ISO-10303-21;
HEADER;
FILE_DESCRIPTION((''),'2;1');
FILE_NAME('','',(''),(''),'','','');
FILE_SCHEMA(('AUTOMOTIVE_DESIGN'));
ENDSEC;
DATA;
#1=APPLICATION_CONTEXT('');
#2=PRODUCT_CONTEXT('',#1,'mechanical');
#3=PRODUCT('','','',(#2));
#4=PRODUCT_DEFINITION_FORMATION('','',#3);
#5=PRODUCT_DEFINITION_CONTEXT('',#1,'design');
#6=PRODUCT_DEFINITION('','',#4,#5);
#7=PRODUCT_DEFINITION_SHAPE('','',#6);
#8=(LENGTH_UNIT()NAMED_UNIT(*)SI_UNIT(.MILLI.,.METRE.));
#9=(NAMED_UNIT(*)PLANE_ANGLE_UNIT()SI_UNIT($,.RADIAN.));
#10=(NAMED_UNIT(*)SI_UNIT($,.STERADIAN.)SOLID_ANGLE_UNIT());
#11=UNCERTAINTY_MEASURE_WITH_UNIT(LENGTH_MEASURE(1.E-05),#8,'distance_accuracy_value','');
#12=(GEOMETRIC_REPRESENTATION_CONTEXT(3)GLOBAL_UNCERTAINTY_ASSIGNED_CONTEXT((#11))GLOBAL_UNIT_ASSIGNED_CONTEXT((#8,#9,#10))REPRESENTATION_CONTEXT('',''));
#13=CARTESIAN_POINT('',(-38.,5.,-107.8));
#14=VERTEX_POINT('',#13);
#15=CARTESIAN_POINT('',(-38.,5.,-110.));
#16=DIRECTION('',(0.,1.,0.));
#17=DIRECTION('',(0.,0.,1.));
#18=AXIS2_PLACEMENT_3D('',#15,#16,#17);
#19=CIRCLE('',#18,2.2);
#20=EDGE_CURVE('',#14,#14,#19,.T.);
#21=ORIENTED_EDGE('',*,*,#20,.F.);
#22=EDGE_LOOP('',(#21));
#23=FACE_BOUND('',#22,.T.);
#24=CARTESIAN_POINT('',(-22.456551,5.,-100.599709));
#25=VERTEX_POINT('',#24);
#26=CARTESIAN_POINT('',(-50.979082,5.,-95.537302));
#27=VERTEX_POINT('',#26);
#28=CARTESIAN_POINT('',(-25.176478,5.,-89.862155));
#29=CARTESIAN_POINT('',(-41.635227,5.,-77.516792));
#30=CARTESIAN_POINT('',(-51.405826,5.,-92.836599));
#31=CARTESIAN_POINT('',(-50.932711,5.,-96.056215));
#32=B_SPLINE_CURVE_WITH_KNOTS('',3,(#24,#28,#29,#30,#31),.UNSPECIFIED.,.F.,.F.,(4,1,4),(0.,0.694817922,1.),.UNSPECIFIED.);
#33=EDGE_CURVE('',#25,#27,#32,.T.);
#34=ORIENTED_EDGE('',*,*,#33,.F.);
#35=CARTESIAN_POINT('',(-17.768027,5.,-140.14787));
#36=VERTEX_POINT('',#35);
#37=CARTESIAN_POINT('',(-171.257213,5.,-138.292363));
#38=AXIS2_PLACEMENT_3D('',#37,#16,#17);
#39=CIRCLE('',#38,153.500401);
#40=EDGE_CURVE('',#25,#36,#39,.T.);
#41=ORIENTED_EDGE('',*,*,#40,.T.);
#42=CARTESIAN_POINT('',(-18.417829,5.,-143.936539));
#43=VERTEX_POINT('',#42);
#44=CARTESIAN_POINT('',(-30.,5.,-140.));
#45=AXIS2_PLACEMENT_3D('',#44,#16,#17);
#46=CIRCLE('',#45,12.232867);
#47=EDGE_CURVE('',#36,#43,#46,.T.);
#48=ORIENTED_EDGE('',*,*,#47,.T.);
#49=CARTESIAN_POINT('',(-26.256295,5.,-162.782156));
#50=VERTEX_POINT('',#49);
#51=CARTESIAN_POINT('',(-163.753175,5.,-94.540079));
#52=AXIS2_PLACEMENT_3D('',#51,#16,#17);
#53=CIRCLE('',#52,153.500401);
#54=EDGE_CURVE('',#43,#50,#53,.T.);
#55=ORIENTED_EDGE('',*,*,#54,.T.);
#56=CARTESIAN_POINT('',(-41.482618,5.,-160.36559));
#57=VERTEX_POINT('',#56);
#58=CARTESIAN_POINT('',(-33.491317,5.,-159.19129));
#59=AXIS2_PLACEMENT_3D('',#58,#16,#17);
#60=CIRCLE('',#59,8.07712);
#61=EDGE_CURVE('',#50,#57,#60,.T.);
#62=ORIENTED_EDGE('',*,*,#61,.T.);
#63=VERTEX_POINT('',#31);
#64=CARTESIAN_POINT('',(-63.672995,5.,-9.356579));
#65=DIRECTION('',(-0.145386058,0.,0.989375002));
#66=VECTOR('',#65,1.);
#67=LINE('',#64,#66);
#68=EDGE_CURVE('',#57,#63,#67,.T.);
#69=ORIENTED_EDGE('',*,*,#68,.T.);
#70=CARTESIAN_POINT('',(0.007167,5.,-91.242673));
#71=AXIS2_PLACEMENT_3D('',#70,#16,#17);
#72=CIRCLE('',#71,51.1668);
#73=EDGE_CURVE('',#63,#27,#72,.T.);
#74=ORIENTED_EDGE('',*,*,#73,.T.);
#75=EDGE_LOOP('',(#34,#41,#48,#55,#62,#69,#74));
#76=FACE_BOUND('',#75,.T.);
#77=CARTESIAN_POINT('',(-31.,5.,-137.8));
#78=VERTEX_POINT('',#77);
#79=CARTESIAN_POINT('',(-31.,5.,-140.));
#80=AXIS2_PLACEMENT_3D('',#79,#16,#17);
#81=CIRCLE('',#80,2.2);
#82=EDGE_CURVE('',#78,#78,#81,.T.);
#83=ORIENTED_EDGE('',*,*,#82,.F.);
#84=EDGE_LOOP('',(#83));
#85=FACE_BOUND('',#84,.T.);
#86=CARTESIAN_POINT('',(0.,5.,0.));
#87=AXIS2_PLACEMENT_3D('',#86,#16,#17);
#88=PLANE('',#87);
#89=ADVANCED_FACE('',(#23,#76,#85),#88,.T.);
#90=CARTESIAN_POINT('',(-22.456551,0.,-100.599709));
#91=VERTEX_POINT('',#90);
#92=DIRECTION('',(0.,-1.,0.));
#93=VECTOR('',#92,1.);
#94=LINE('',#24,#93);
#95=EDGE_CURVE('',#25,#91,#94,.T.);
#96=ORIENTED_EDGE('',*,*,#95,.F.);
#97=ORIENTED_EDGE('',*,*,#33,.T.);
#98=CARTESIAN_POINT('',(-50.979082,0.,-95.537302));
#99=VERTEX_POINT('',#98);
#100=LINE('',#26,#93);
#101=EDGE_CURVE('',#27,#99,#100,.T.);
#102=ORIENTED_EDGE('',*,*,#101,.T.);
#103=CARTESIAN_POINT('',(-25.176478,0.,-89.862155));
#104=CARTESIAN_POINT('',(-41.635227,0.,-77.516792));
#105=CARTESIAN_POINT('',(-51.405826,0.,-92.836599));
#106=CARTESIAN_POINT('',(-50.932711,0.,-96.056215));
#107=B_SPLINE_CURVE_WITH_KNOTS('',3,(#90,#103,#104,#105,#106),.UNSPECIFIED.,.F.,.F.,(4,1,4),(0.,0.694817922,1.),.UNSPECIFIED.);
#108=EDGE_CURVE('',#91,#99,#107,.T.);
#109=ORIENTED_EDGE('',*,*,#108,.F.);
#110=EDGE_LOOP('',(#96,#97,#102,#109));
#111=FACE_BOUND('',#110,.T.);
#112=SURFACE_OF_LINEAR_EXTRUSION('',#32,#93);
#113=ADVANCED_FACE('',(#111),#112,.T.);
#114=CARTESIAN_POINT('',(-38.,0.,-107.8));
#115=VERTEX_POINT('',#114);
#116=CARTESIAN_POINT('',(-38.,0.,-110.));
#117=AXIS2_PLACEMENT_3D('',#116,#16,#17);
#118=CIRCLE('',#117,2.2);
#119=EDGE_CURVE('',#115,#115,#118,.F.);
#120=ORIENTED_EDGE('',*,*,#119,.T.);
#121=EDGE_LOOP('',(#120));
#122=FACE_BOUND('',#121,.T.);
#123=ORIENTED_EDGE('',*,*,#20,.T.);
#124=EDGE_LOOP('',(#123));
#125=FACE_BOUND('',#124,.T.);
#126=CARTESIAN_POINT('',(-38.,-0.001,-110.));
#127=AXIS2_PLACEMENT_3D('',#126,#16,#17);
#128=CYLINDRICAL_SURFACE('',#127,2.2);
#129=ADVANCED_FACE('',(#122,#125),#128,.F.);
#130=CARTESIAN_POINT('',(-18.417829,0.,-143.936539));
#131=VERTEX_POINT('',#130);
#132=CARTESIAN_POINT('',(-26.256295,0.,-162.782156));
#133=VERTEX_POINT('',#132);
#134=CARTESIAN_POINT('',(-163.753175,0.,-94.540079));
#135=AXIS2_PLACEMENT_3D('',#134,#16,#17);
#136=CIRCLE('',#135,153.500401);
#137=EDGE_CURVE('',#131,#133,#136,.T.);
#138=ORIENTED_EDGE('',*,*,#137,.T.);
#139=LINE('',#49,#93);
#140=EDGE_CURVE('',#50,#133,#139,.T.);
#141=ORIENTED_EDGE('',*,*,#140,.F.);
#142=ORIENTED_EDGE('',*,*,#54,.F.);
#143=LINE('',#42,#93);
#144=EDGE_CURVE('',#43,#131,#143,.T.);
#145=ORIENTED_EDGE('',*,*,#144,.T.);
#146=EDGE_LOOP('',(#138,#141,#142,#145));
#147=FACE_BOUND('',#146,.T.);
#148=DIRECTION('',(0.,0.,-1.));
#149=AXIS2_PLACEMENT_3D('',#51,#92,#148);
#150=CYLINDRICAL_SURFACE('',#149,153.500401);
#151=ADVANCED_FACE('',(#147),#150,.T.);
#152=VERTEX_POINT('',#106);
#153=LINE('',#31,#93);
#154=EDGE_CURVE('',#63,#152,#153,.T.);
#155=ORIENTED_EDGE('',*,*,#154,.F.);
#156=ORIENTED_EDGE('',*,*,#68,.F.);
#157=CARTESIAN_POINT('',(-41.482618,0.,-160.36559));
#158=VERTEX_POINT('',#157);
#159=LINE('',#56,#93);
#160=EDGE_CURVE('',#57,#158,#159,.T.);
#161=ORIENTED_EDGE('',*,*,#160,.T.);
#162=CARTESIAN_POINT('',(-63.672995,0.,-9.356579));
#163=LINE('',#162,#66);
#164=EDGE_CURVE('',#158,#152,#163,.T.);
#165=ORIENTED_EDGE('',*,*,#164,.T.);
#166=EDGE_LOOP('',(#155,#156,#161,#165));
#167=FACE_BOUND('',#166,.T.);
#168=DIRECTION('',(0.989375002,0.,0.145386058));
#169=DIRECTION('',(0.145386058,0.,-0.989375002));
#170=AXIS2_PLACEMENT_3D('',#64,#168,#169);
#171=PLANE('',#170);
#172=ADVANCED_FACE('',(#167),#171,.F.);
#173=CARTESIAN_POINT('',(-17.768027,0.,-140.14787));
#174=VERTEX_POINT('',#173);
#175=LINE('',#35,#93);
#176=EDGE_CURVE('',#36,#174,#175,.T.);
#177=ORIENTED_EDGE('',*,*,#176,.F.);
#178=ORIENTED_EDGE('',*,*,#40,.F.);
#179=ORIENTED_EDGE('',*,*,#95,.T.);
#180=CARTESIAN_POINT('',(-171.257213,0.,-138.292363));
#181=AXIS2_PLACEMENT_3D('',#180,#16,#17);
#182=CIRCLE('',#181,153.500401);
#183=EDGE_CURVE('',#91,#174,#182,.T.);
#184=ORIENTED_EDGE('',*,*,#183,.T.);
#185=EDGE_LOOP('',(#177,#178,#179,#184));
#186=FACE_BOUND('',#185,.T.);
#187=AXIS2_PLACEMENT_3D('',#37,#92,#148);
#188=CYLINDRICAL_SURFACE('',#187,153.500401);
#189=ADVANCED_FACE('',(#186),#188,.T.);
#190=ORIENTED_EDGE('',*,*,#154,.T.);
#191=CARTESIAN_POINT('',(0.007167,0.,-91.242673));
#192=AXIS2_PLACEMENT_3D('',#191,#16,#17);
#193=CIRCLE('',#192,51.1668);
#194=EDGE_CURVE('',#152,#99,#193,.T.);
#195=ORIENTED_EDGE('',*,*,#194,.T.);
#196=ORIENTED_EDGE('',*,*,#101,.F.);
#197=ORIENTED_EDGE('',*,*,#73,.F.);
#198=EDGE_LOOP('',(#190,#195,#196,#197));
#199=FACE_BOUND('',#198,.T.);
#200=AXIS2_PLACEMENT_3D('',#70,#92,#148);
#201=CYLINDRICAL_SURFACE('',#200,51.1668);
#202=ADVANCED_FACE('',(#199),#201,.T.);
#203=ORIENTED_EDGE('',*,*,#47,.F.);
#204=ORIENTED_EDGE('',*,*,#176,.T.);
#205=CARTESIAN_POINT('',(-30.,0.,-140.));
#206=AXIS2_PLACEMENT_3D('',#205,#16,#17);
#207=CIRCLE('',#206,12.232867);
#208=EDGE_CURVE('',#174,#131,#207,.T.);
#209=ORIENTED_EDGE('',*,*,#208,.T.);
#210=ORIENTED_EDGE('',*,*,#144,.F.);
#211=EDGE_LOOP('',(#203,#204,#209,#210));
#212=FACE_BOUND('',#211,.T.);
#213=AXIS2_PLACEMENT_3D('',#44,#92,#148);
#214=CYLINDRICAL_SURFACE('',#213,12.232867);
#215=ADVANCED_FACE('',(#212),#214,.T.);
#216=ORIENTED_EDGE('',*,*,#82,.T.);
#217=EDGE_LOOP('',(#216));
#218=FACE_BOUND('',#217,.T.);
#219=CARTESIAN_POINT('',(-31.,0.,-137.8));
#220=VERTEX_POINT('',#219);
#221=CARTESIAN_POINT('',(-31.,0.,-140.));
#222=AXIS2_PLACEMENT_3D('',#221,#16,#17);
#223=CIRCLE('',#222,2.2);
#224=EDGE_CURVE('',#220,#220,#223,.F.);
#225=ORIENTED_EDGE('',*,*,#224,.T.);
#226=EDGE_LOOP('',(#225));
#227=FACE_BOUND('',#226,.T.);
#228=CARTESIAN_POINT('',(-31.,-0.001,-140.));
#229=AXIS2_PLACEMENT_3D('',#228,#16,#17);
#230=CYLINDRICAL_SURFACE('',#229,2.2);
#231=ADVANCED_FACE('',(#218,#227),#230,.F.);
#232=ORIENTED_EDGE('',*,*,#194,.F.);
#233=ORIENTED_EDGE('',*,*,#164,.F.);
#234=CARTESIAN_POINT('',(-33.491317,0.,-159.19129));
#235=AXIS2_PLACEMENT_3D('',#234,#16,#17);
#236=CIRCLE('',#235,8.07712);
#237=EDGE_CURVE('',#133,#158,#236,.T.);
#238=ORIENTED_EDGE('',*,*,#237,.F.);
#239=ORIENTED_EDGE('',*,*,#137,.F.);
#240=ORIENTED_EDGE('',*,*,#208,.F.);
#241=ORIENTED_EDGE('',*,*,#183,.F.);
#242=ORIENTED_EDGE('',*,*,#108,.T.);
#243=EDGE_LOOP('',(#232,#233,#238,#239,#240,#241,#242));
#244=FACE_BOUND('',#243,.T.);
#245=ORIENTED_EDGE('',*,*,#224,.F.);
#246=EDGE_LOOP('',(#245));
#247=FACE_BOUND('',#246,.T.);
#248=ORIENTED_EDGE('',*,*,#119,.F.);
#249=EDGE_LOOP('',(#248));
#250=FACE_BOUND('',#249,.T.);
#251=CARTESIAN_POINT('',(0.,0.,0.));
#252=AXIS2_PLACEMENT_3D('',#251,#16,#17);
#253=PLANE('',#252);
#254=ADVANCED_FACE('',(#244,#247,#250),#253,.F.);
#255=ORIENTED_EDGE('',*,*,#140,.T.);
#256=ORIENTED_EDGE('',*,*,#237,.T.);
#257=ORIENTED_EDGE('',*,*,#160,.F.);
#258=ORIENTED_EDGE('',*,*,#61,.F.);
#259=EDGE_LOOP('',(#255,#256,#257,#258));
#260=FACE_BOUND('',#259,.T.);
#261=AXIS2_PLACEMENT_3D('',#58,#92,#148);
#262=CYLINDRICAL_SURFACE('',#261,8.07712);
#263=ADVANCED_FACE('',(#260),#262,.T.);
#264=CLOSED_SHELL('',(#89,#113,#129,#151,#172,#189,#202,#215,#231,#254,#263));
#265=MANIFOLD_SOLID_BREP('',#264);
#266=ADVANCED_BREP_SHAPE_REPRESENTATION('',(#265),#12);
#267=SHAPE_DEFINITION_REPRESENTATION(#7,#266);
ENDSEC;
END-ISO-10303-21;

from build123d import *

# Parameters (mm, degrees)
BOSS_EXTRUDE2_DEPTH = 5
CUT_EXTRUDE1_REACH  = 176.937
SKETCH2_R           = 2.2


with BuildPart() as part:
    # Sketch1 → Boss-Extrude2 (new body)
    with BuildSketch(Plane(origin=(0, 0, 0), x_dir=(1, 0, 0), z_dir=(0, 1, 0))):
        with BuildLine():
            ThreePointArc((-26.256294904, 162.782156045), (-34.757388509, 167.168565439), (-41.482617684, 160.365590178))
            Line((-41.482617684, 160.365590178), (-50.932711484, 96.056215067))
            ThreePointArc((-50.932711484, 96.056215067), (-50.956557115, 95.796817406), (-50.979081843, 95.537301709))
            add(Edge.make_bspline(
                [(-22.456551163, 100.599709115), (-25.176477923, 89.862155319), (-41.371339617, 77.714728994), (-51.090796969, 92.352457993), (-50.979081843, 95.537301709)],
                knots=[0, 0, 0, 0, 0.694817922, 0.98396673, 0.98396673, 0.98396673, 0.98396673], degree=3))
            ThreePointArc((-22.456551163, 100.599709115), (-18.824269383, 120.221092129), (-17.76802696, 140.147870449))
            ThreePointArc((-17.76802696, 140.147870449), (-17.943181625, 142.067888002), (-18.417828761, 143.936539027))
            ThreePointArc((-18.417828761, 143.936539027), (-22.023480215, 153.489775682), (-26.256294904, 162.782156045))
        make_face()
    extrude(amount=BOSS_EXTRUDE2_DEPTH)

    # Sketch2 → Cut-Extrude1 (cut, up to next)
    with BuildSketch(Plane(origin=(0, 5, 0), x_dir=(1, 0, 0), z_dir=(0, 1, 0)), mode=Mode.PRIVATE) as cut_extrude1_sk1:
        with Locations(Location((-31, 140, 0), (0, 0, 270))):
            Circle(SKETCH2_R)
    cut_extrude1_tool1 = extrude(cut_extrude1_sk1.sketch, amount=-CUT_EXTRUDE1_REACH, mode=Mode.PRIVATE) & part.part
    # Sketch2 → Cut-Extrude1 (cut, up to next)
    with BuildSketch(Plane(origin=(0, 5, 0), x_dir=(1, 0, 0), z_dir=(0, 1, 0)), mode=Mode.PRIVATE) as cut_extrude1_sk2:
        with Locations(Location((-38, 110, 0), (0, 0, 270))):
            Circle(SKETCH2_R)
    cut_extrude1_tool2 = extrude(cut_extrude1_sk2.sketch, amount=-CUT_EXTRUDE1_REACH, mode=Mode.PRIVATE) & part.part
    add(cut_extrude1_tool1.solids().sort_by_distance((-31, 5, -140))[0], mode=Mode.SUBTRACT)
    add(cut_extrude1_tool2.solids().sort_by_distance((-38, 5, -110))[0], mode=Mode.SUBTRACT)


solid = part.part
